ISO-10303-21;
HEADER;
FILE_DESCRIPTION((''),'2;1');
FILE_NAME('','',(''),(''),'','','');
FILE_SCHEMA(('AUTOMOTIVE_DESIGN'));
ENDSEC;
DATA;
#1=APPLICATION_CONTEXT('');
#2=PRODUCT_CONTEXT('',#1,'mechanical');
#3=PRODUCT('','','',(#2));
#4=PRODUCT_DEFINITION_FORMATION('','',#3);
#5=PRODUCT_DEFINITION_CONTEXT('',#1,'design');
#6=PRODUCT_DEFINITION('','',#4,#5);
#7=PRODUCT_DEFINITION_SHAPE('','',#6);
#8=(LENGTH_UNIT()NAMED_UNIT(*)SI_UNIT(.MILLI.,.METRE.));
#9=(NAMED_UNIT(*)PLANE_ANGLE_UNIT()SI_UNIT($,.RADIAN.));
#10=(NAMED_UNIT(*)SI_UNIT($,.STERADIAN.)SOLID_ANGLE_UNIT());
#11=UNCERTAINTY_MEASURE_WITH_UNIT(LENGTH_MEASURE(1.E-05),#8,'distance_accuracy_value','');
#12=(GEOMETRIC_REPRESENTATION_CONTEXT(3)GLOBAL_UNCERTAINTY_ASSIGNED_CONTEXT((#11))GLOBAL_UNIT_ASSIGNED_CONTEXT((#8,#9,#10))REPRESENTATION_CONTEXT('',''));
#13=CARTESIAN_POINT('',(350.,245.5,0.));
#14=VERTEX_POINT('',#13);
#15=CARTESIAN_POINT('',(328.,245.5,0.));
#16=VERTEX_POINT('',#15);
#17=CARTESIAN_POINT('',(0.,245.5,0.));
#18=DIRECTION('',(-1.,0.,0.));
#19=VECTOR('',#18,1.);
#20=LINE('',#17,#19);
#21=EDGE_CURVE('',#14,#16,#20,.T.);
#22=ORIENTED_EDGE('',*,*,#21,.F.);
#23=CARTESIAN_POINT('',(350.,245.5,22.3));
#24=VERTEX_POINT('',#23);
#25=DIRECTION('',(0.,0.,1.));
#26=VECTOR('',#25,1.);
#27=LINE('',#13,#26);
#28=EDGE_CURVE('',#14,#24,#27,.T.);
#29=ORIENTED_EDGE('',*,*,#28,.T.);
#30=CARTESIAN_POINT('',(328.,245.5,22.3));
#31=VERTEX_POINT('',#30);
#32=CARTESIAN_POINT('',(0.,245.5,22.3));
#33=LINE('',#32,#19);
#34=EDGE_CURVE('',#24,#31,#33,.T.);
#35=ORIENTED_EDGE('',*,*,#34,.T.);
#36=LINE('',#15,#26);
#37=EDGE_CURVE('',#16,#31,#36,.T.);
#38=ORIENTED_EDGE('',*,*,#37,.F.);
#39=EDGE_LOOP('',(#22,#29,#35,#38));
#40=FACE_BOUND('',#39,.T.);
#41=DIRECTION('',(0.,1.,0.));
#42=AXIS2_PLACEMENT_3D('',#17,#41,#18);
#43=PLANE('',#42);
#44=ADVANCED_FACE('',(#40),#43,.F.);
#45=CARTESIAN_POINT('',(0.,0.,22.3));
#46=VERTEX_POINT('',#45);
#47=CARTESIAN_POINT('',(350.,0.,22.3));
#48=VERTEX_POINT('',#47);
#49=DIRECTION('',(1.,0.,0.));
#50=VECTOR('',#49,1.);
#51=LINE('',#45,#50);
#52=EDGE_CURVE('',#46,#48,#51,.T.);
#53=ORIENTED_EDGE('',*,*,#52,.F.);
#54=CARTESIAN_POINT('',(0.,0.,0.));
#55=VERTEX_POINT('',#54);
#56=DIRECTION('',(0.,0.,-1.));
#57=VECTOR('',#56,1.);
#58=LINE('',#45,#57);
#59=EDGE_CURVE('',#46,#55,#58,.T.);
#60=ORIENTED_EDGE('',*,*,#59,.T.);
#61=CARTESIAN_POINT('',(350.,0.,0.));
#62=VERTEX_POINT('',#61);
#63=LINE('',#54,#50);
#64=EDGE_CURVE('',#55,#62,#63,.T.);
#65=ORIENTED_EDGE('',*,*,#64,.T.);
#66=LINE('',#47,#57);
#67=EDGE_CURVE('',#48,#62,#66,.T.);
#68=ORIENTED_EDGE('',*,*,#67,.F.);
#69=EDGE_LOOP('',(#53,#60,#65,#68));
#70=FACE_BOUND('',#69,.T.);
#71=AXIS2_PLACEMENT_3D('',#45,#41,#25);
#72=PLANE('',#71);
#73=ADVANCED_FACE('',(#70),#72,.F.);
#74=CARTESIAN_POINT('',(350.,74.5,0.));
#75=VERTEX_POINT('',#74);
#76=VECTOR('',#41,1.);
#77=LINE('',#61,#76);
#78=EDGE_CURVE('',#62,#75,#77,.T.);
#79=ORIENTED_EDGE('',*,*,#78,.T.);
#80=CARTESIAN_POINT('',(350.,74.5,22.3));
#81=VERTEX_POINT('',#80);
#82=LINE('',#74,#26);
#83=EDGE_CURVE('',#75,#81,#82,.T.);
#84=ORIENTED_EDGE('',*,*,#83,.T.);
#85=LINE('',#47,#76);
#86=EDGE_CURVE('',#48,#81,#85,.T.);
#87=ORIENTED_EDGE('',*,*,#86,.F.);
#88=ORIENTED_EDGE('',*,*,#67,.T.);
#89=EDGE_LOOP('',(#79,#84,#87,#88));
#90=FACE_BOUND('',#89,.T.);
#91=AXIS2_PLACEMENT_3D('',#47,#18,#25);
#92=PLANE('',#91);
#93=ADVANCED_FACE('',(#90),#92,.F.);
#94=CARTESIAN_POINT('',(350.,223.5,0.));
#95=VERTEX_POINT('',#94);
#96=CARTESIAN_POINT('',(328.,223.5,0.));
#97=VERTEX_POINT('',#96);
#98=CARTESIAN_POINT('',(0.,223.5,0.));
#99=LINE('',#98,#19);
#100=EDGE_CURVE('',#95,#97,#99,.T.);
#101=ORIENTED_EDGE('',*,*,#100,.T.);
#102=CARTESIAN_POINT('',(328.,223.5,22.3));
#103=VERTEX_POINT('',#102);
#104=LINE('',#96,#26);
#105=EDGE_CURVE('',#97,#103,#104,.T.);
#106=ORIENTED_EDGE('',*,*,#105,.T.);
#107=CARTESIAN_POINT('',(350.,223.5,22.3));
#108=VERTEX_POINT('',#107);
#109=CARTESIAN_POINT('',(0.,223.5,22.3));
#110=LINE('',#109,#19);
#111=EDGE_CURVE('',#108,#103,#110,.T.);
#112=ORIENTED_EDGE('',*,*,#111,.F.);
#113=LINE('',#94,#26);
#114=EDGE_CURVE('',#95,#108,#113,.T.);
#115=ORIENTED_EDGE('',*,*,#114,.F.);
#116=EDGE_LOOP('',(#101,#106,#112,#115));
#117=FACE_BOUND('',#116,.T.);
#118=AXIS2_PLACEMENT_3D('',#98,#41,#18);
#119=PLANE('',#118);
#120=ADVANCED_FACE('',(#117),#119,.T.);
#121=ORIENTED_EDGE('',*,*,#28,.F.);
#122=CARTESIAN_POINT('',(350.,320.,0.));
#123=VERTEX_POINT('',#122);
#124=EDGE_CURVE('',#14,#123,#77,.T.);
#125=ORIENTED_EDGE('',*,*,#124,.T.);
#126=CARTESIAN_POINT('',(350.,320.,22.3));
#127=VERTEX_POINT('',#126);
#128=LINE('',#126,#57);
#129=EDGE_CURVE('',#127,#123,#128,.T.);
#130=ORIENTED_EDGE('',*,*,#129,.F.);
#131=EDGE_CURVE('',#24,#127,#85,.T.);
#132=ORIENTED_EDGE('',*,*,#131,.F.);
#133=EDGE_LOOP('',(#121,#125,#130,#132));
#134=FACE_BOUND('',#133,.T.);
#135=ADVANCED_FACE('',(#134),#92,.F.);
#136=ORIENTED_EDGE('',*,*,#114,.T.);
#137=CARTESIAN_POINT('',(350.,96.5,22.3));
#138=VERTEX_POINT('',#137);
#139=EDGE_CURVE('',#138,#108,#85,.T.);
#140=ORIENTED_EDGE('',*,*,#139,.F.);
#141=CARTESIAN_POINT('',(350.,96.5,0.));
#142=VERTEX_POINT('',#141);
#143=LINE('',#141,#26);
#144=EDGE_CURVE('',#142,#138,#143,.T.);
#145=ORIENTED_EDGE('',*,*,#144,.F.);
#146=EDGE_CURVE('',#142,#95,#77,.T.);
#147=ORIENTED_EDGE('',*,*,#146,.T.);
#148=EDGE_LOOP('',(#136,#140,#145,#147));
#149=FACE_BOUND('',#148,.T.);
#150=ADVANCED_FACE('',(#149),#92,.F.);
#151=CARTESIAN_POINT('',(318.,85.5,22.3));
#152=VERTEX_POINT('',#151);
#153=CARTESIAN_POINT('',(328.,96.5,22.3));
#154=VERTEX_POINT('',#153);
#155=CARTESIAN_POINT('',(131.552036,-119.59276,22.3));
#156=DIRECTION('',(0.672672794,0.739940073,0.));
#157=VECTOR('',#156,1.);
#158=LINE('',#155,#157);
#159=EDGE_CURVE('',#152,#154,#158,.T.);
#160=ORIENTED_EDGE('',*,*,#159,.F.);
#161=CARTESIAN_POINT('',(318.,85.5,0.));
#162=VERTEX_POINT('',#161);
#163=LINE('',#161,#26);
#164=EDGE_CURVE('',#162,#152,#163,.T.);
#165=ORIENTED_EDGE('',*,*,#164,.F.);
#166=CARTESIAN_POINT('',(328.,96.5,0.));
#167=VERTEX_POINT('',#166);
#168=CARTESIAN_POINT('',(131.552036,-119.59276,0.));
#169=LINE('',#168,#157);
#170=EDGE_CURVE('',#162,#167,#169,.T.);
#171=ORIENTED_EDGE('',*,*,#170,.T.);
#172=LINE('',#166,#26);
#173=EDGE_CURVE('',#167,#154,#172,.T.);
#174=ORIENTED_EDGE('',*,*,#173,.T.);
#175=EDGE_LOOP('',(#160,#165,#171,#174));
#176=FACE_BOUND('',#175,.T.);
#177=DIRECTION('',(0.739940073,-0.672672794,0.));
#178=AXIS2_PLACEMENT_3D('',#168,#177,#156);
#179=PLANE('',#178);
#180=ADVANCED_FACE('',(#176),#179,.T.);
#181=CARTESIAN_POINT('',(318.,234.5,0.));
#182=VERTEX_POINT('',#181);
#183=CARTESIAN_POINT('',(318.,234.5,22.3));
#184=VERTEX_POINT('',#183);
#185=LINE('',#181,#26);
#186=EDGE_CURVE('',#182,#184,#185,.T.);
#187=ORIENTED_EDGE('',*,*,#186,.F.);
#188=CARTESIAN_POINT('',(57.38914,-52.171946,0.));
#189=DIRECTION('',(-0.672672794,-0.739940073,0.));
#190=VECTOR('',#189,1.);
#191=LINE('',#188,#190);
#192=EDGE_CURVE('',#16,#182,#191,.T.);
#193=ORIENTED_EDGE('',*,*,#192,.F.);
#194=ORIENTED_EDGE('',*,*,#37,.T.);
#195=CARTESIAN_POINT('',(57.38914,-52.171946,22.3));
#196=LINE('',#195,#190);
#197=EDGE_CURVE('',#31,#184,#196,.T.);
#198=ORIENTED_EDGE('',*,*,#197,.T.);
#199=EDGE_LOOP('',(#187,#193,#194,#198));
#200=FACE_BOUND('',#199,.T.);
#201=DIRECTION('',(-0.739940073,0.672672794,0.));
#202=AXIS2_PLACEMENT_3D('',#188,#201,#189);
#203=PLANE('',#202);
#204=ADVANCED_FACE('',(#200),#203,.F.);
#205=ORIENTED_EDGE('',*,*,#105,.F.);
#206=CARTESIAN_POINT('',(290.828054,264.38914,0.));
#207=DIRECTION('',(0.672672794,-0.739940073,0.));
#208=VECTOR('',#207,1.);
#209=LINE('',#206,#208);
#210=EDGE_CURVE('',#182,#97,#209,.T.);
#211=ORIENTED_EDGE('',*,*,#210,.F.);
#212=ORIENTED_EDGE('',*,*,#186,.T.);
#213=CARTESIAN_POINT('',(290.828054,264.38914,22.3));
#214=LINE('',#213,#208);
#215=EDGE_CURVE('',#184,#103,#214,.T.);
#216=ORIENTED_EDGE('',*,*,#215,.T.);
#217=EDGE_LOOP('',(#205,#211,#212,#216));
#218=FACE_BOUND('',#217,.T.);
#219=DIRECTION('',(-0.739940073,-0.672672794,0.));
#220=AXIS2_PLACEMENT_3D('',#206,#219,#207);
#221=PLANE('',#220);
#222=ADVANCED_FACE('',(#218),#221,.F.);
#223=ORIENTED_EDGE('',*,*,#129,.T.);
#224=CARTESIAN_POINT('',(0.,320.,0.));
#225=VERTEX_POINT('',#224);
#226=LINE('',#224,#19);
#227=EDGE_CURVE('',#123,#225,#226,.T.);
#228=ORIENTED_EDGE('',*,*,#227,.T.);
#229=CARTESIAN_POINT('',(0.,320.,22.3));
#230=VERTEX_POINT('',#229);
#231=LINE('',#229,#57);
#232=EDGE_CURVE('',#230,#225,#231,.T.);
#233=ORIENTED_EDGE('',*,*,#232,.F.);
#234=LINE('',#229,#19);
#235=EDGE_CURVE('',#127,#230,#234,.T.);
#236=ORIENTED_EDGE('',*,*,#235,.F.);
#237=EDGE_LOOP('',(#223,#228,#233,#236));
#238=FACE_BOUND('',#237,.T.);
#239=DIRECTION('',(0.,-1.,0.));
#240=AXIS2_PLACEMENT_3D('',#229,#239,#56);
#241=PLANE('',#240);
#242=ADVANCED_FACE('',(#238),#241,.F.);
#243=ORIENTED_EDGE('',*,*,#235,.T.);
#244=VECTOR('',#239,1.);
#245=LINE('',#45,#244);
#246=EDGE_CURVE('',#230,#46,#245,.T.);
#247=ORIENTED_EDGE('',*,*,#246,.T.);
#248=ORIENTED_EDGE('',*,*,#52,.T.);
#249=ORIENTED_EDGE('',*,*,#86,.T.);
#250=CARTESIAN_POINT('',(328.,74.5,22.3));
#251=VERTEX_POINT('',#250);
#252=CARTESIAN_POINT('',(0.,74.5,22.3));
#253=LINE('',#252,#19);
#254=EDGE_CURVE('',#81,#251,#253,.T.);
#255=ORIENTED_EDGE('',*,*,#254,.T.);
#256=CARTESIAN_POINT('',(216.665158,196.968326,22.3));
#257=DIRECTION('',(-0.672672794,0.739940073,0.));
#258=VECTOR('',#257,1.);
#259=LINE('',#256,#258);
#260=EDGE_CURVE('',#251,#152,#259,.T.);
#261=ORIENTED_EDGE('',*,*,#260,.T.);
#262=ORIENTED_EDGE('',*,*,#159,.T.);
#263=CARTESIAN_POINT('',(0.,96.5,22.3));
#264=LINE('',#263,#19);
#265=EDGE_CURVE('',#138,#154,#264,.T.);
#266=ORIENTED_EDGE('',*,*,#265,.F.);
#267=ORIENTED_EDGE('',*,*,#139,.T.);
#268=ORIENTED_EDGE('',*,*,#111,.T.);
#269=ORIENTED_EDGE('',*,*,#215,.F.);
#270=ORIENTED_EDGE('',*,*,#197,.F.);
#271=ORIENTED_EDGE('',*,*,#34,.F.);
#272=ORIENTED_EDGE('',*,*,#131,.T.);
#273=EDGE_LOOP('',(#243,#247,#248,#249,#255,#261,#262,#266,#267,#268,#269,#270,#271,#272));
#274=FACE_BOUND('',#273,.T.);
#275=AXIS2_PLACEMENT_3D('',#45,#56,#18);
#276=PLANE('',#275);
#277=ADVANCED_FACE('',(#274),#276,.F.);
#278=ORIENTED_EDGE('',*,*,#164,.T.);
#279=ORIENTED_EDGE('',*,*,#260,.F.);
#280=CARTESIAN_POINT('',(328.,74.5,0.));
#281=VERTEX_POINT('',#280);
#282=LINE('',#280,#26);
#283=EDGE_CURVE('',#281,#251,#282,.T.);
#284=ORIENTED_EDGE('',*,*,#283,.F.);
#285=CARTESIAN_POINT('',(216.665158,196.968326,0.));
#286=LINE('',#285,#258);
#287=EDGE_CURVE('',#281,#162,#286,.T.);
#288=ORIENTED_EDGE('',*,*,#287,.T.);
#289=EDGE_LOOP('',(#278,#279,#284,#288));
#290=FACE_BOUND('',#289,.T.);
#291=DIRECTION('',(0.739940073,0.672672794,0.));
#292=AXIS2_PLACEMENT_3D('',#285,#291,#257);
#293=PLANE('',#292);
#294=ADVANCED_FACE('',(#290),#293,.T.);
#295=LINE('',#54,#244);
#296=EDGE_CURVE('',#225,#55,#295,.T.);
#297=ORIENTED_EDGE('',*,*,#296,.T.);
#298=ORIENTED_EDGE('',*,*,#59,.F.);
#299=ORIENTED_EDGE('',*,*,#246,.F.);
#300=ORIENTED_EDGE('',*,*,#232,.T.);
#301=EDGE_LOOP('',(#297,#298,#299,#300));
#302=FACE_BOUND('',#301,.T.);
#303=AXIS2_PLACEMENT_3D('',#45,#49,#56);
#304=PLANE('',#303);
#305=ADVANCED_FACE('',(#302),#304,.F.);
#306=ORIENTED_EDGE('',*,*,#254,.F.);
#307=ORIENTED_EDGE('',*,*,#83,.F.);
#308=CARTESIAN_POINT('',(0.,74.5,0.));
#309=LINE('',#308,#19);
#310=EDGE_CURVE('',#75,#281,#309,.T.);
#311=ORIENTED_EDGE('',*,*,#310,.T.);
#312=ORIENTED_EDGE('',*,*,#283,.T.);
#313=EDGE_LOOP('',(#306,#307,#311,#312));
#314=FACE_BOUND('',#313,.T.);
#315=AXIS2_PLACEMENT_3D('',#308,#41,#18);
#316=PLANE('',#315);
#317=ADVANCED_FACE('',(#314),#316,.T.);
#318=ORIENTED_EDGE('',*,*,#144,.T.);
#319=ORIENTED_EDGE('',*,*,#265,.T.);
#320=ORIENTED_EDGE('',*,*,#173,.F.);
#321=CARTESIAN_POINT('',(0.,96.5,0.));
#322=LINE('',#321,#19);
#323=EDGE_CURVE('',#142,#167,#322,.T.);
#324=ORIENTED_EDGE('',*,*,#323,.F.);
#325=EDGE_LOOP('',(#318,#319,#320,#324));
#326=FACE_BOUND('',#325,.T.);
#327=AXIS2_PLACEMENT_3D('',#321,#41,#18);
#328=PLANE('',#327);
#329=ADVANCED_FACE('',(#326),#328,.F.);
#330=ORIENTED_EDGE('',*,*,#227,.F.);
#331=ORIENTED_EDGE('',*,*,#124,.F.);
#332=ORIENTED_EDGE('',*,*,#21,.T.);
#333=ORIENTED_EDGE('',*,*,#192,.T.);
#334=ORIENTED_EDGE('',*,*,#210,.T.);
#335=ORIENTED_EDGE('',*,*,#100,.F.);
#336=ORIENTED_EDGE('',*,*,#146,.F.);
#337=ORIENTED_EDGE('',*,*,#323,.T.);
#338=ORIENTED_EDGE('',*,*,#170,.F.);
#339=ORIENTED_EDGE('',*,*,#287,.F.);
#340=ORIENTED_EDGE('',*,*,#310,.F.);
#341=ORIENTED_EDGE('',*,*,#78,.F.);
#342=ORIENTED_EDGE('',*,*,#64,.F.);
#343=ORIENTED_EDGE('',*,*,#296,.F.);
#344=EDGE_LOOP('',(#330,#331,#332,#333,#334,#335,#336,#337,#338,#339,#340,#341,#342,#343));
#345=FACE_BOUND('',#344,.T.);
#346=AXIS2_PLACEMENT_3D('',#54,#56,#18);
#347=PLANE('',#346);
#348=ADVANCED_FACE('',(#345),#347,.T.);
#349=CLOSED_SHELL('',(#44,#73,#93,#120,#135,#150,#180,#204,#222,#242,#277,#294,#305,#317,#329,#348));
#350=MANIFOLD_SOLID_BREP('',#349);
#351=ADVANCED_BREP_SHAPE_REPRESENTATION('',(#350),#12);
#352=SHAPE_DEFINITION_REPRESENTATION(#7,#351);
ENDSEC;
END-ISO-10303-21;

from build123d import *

# Parameters (mm, degrees)
ESBO_O1_W                = 350
ESBO_O1_H                = 320
RESSALTO_EXTRUS_O1_DEPTH = 22.3
CORTE_EXTRUS_O1_DEPTH    = 475.760244755


with BuildPart() as part:
    # Esboço1 → Ressalto-extrusão1 (new body)
    with BuildSketch(Plane.XY):
        with Locations((175, 160)):
            Rectangle(ESBO_O1_W, ESBO_O1_H)
    extrude(amount=RESSALTO_EXTRUS_O1_DEPTH)

    # Esboço2 → Corte-extrusão1 (cut, through all)
    with BuildSketch(Plane.XY.offset(22.3)):
        Polygon((318, 234.5), (328, 223.5), (350, 223.5), (350, 245.5), (328, 245.5), align=None)
        Polygon((328, 74.5), (318, 85.5), (328, 96.5), (350, 96.5), (350, 74.5), align=None)
    extrude(amount=-CORTE_EXTRUS_O1_DEPTH, mode=Mode.SUBTRACT)


solid = part.part
